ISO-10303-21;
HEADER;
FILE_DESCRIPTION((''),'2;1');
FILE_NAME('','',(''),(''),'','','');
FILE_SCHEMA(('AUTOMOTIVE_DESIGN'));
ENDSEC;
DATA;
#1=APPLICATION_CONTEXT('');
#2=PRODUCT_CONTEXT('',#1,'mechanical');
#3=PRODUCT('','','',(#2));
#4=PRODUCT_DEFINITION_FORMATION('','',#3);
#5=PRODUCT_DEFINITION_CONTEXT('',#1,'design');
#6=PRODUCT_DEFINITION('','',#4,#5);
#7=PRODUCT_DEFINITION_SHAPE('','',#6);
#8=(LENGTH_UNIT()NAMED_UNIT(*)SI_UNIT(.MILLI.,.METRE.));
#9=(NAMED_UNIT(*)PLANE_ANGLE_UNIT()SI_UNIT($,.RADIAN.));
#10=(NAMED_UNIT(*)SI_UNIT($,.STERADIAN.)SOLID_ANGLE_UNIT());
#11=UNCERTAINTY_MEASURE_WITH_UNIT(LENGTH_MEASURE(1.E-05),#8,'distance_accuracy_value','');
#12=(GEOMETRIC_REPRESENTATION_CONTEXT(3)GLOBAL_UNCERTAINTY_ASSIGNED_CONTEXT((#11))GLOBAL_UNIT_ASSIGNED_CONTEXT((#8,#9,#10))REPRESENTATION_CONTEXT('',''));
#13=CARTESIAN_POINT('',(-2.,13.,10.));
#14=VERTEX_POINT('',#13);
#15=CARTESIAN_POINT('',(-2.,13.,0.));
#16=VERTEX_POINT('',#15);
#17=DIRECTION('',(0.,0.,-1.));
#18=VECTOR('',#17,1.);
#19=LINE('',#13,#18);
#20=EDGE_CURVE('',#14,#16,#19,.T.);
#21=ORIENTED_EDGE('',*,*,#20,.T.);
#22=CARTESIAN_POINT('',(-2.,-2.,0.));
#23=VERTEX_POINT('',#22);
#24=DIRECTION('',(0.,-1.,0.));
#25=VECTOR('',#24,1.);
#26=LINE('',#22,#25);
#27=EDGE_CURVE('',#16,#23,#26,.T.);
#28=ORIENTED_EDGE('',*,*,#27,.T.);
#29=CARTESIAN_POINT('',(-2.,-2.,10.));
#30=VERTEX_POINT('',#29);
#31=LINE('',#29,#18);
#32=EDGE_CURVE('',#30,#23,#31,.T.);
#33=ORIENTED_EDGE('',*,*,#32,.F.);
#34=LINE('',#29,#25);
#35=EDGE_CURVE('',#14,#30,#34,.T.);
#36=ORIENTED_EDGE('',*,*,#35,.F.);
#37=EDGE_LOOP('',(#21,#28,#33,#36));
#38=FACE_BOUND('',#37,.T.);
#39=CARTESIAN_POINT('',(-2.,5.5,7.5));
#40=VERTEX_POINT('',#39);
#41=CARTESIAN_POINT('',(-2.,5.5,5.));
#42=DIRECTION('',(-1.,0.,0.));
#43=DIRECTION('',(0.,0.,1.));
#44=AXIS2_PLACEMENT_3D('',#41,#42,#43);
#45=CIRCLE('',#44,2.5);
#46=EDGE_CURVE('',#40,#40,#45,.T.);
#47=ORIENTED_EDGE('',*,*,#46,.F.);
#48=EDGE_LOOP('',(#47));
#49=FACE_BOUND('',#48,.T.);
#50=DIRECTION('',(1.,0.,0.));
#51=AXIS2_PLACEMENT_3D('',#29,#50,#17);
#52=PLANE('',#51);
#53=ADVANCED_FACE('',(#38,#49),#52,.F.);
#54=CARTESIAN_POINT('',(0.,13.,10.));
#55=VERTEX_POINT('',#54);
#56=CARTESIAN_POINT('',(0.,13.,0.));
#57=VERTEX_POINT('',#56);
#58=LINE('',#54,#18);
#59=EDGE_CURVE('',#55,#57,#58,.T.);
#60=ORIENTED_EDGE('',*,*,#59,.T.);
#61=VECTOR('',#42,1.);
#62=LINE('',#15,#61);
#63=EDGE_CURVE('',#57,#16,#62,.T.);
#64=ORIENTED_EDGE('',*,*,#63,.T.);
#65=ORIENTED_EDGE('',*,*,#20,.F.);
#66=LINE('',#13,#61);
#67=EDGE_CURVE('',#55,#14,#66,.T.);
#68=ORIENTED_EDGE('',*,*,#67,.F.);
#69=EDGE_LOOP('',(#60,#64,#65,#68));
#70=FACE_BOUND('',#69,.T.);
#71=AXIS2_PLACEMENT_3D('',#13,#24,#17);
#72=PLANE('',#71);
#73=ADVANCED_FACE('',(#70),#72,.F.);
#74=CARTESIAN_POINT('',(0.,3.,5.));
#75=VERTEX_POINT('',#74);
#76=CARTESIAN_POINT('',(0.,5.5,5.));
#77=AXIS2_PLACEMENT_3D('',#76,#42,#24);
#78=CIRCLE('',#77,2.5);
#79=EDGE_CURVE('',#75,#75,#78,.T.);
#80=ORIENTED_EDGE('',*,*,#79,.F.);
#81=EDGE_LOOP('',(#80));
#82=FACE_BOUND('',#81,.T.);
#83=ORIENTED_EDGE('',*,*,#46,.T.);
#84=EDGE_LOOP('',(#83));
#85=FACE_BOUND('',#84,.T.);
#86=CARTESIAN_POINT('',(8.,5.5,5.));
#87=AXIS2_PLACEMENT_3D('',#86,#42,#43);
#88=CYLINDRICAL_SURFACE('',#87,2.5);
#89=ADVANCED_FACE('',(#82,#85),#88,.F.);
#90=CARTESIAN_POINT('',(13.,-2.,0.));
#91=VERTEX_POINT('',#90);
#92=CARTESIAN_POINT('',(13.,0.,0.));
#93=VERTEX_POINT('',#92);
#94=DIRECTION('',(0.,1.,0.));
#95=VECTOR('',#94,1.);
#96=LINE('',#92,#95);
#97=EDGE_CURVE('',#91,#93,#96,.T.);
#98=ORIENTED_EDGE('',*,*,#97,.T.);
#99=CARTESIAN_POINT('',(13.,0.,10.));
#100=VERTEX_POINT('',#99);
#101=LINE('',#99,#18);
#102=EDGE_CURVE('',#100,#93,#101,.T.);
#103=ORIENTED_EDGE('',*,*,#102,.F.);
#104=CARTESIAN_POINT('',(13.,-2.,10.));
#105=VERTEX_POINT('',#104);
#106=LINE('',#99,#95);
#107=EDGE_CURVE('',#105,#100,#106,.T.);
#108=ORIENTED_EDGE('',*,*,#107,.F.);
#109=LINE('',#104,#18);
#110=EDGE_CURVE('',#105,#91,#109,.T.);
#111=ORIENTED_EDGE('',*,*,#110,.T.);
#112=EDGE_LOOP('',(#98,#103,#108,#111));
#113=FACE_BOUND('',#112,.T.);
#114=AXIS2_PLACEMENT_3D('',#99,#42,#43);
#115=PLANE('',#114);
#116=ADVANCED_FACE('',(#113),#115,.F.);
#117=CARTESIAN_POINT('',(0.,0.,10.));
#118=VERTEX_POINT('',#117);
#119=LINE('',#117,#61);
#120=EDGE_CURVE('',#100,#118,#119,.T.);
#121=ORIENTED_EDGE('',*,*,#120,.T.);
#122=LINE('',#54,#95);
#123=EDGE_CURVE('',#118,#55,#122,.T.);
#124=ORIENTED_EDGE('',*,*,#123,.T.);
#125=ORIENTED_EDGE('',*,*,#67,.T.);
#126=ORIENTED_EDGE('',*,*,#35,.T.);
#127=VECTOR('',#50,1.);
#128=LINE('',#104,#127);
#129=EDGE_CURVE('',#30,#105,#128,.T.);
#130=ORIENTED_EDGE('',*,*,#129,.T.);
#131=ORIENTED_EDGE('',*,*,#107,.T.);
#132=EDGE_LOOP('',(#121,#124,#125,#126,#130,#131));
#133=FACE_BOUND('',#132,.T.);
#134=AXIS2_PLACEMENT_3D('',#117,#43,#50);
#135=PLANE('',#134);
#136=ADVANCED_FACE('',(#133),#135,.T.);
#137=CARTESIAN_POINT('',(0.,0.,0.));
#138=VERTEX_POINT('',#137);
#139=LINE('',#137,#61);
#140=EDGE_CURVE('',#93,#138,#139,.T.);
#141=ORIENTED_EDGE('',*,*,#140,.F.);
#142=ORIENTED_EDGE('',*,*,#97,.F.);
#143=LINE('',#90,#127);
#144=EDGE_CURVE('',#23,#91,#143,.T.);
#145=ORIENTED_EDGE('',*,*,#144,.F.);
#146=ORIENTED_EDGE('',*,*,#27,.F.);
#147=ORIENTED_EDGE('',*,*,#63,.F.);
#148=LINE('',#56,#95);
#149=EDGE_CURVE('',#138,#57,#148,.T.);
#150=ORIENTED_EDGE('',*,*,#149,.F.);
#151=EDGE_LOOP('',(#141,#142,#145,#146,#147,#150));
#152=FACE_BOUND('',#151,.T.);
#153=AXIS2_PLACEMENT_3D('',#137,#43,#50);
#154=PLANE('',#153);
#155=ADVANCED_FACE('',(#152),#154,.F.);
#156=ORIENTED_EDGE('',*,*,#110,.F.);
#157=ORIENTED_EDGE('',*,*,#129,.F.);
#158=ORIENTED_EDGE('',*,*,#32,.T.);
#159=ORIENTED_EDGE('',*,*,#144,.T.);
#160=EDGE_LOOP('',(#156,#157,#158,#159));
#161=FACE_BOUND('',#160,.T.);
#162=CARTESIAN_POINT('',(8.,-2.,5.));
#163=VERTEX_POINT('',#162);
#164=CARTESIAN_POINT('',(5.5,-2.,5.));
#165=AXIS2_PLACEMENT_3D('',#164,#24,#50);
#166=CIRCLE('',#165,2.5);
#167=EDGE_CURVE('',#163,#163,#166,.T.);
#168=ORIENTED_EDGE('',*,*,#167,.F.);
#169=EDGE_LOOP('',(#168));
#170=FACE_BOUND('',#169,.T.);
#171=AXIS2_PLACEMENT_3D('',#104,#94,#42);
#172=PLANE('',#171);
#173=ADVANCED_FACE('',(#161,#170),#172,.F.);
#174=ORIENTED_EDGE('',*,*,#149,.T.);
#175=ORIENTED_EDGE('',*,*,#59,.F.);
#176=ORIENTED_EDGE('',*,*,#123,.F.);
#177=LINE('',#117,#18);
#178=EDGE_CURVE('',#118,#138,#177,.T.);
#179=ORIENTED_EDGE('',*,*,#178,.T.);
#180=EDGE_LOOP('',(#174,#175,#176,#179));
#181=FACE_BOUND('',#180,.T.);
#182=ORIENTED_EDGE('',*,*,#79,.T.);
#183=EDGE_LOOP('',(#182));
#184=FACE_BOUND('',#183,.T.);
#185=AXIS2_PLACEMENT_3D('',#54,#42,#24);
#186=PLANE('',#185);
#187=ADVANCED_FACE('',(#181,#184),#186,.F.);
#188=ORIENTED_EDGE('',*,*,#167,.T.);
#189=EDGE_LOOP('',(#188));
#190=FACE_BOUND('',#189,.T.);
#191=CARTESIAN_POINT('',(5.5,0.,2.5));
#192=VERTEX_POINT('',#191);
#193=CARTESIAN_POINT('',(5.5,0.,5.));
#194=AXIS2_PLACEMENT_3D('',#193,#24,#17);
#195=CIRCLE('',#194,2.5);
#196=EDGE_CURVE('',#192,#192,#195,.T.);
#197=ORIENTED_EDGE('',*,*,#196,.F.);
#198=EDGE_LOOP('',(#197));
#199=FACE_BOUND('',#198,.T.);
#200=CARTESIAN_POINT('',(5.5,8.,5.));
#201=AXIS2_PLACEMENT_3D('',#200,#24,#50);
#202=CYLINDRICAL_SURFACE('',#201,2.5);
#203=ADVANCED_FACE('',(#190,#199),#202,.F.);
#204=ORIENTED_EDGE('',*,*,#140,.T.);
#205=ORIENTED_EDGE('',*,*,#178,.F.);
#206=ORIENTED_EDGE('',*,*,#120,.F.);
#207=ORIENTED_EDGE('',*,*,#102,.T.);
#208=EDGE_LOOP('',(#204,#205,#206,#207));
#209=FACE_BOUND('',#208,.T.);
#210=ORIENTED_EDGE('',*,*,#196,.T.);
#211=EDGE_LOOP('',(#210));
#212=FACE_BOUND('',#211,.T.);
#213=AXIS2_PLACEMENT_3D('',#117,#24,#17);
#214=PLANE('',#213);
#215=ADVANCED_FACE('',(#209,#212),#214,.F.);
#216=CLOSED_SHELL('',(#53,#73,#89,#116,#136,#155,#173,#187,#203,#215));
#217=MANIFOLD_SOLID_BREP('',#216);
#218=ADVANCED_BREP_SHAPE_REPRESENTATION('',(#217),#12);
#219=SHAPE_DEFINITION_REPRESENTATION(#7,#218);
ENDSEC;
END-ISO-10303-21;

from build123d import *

# Parameters (mm, degrees)
EXTRUDE_1_DEPTH     = 10
SKETCH_2_R          = 2.5
CUT_EXTRUDE_1_DEPTH = 10
SKETCH_3_R          = 2.5
CUT_EXTRUDE_2_DEPTH = 10


with BuildPart() as part:
    # 草图1 → 凸台-拉伸1 (new body)
    with BuildSketch(Plane.XY):
        Polygon((0, 0), (13, 0), (13, -2), (-2, -2), (-2, 13), (0, 13), align=None)
    extrude(amount=EXTRUDE_1_DEPTH)

    # 草图2 → 切除-拉伸1 (cut)
    with BuildSketch(Plane.XZ.offset(2)):
        with Locations((5.5, 5)):
            Circle(SKETCH_2_R)
    extrude(amount=-CUT_EXTRUDE_1_DEPTH, mode=Mode.SUBTRACT)

    # 草图3 → 切除-拉伸2 (cut)
    with BuildSketch(Plane.ZY.offset(2)):
        with Locations((5, 5.5)):
            Circle(SKETCH_3_R)
    extrude(amount=-CUT_EXTRUDE_2_DEPTH, mode=Mode.SUBTRACT)


solid = part.part
